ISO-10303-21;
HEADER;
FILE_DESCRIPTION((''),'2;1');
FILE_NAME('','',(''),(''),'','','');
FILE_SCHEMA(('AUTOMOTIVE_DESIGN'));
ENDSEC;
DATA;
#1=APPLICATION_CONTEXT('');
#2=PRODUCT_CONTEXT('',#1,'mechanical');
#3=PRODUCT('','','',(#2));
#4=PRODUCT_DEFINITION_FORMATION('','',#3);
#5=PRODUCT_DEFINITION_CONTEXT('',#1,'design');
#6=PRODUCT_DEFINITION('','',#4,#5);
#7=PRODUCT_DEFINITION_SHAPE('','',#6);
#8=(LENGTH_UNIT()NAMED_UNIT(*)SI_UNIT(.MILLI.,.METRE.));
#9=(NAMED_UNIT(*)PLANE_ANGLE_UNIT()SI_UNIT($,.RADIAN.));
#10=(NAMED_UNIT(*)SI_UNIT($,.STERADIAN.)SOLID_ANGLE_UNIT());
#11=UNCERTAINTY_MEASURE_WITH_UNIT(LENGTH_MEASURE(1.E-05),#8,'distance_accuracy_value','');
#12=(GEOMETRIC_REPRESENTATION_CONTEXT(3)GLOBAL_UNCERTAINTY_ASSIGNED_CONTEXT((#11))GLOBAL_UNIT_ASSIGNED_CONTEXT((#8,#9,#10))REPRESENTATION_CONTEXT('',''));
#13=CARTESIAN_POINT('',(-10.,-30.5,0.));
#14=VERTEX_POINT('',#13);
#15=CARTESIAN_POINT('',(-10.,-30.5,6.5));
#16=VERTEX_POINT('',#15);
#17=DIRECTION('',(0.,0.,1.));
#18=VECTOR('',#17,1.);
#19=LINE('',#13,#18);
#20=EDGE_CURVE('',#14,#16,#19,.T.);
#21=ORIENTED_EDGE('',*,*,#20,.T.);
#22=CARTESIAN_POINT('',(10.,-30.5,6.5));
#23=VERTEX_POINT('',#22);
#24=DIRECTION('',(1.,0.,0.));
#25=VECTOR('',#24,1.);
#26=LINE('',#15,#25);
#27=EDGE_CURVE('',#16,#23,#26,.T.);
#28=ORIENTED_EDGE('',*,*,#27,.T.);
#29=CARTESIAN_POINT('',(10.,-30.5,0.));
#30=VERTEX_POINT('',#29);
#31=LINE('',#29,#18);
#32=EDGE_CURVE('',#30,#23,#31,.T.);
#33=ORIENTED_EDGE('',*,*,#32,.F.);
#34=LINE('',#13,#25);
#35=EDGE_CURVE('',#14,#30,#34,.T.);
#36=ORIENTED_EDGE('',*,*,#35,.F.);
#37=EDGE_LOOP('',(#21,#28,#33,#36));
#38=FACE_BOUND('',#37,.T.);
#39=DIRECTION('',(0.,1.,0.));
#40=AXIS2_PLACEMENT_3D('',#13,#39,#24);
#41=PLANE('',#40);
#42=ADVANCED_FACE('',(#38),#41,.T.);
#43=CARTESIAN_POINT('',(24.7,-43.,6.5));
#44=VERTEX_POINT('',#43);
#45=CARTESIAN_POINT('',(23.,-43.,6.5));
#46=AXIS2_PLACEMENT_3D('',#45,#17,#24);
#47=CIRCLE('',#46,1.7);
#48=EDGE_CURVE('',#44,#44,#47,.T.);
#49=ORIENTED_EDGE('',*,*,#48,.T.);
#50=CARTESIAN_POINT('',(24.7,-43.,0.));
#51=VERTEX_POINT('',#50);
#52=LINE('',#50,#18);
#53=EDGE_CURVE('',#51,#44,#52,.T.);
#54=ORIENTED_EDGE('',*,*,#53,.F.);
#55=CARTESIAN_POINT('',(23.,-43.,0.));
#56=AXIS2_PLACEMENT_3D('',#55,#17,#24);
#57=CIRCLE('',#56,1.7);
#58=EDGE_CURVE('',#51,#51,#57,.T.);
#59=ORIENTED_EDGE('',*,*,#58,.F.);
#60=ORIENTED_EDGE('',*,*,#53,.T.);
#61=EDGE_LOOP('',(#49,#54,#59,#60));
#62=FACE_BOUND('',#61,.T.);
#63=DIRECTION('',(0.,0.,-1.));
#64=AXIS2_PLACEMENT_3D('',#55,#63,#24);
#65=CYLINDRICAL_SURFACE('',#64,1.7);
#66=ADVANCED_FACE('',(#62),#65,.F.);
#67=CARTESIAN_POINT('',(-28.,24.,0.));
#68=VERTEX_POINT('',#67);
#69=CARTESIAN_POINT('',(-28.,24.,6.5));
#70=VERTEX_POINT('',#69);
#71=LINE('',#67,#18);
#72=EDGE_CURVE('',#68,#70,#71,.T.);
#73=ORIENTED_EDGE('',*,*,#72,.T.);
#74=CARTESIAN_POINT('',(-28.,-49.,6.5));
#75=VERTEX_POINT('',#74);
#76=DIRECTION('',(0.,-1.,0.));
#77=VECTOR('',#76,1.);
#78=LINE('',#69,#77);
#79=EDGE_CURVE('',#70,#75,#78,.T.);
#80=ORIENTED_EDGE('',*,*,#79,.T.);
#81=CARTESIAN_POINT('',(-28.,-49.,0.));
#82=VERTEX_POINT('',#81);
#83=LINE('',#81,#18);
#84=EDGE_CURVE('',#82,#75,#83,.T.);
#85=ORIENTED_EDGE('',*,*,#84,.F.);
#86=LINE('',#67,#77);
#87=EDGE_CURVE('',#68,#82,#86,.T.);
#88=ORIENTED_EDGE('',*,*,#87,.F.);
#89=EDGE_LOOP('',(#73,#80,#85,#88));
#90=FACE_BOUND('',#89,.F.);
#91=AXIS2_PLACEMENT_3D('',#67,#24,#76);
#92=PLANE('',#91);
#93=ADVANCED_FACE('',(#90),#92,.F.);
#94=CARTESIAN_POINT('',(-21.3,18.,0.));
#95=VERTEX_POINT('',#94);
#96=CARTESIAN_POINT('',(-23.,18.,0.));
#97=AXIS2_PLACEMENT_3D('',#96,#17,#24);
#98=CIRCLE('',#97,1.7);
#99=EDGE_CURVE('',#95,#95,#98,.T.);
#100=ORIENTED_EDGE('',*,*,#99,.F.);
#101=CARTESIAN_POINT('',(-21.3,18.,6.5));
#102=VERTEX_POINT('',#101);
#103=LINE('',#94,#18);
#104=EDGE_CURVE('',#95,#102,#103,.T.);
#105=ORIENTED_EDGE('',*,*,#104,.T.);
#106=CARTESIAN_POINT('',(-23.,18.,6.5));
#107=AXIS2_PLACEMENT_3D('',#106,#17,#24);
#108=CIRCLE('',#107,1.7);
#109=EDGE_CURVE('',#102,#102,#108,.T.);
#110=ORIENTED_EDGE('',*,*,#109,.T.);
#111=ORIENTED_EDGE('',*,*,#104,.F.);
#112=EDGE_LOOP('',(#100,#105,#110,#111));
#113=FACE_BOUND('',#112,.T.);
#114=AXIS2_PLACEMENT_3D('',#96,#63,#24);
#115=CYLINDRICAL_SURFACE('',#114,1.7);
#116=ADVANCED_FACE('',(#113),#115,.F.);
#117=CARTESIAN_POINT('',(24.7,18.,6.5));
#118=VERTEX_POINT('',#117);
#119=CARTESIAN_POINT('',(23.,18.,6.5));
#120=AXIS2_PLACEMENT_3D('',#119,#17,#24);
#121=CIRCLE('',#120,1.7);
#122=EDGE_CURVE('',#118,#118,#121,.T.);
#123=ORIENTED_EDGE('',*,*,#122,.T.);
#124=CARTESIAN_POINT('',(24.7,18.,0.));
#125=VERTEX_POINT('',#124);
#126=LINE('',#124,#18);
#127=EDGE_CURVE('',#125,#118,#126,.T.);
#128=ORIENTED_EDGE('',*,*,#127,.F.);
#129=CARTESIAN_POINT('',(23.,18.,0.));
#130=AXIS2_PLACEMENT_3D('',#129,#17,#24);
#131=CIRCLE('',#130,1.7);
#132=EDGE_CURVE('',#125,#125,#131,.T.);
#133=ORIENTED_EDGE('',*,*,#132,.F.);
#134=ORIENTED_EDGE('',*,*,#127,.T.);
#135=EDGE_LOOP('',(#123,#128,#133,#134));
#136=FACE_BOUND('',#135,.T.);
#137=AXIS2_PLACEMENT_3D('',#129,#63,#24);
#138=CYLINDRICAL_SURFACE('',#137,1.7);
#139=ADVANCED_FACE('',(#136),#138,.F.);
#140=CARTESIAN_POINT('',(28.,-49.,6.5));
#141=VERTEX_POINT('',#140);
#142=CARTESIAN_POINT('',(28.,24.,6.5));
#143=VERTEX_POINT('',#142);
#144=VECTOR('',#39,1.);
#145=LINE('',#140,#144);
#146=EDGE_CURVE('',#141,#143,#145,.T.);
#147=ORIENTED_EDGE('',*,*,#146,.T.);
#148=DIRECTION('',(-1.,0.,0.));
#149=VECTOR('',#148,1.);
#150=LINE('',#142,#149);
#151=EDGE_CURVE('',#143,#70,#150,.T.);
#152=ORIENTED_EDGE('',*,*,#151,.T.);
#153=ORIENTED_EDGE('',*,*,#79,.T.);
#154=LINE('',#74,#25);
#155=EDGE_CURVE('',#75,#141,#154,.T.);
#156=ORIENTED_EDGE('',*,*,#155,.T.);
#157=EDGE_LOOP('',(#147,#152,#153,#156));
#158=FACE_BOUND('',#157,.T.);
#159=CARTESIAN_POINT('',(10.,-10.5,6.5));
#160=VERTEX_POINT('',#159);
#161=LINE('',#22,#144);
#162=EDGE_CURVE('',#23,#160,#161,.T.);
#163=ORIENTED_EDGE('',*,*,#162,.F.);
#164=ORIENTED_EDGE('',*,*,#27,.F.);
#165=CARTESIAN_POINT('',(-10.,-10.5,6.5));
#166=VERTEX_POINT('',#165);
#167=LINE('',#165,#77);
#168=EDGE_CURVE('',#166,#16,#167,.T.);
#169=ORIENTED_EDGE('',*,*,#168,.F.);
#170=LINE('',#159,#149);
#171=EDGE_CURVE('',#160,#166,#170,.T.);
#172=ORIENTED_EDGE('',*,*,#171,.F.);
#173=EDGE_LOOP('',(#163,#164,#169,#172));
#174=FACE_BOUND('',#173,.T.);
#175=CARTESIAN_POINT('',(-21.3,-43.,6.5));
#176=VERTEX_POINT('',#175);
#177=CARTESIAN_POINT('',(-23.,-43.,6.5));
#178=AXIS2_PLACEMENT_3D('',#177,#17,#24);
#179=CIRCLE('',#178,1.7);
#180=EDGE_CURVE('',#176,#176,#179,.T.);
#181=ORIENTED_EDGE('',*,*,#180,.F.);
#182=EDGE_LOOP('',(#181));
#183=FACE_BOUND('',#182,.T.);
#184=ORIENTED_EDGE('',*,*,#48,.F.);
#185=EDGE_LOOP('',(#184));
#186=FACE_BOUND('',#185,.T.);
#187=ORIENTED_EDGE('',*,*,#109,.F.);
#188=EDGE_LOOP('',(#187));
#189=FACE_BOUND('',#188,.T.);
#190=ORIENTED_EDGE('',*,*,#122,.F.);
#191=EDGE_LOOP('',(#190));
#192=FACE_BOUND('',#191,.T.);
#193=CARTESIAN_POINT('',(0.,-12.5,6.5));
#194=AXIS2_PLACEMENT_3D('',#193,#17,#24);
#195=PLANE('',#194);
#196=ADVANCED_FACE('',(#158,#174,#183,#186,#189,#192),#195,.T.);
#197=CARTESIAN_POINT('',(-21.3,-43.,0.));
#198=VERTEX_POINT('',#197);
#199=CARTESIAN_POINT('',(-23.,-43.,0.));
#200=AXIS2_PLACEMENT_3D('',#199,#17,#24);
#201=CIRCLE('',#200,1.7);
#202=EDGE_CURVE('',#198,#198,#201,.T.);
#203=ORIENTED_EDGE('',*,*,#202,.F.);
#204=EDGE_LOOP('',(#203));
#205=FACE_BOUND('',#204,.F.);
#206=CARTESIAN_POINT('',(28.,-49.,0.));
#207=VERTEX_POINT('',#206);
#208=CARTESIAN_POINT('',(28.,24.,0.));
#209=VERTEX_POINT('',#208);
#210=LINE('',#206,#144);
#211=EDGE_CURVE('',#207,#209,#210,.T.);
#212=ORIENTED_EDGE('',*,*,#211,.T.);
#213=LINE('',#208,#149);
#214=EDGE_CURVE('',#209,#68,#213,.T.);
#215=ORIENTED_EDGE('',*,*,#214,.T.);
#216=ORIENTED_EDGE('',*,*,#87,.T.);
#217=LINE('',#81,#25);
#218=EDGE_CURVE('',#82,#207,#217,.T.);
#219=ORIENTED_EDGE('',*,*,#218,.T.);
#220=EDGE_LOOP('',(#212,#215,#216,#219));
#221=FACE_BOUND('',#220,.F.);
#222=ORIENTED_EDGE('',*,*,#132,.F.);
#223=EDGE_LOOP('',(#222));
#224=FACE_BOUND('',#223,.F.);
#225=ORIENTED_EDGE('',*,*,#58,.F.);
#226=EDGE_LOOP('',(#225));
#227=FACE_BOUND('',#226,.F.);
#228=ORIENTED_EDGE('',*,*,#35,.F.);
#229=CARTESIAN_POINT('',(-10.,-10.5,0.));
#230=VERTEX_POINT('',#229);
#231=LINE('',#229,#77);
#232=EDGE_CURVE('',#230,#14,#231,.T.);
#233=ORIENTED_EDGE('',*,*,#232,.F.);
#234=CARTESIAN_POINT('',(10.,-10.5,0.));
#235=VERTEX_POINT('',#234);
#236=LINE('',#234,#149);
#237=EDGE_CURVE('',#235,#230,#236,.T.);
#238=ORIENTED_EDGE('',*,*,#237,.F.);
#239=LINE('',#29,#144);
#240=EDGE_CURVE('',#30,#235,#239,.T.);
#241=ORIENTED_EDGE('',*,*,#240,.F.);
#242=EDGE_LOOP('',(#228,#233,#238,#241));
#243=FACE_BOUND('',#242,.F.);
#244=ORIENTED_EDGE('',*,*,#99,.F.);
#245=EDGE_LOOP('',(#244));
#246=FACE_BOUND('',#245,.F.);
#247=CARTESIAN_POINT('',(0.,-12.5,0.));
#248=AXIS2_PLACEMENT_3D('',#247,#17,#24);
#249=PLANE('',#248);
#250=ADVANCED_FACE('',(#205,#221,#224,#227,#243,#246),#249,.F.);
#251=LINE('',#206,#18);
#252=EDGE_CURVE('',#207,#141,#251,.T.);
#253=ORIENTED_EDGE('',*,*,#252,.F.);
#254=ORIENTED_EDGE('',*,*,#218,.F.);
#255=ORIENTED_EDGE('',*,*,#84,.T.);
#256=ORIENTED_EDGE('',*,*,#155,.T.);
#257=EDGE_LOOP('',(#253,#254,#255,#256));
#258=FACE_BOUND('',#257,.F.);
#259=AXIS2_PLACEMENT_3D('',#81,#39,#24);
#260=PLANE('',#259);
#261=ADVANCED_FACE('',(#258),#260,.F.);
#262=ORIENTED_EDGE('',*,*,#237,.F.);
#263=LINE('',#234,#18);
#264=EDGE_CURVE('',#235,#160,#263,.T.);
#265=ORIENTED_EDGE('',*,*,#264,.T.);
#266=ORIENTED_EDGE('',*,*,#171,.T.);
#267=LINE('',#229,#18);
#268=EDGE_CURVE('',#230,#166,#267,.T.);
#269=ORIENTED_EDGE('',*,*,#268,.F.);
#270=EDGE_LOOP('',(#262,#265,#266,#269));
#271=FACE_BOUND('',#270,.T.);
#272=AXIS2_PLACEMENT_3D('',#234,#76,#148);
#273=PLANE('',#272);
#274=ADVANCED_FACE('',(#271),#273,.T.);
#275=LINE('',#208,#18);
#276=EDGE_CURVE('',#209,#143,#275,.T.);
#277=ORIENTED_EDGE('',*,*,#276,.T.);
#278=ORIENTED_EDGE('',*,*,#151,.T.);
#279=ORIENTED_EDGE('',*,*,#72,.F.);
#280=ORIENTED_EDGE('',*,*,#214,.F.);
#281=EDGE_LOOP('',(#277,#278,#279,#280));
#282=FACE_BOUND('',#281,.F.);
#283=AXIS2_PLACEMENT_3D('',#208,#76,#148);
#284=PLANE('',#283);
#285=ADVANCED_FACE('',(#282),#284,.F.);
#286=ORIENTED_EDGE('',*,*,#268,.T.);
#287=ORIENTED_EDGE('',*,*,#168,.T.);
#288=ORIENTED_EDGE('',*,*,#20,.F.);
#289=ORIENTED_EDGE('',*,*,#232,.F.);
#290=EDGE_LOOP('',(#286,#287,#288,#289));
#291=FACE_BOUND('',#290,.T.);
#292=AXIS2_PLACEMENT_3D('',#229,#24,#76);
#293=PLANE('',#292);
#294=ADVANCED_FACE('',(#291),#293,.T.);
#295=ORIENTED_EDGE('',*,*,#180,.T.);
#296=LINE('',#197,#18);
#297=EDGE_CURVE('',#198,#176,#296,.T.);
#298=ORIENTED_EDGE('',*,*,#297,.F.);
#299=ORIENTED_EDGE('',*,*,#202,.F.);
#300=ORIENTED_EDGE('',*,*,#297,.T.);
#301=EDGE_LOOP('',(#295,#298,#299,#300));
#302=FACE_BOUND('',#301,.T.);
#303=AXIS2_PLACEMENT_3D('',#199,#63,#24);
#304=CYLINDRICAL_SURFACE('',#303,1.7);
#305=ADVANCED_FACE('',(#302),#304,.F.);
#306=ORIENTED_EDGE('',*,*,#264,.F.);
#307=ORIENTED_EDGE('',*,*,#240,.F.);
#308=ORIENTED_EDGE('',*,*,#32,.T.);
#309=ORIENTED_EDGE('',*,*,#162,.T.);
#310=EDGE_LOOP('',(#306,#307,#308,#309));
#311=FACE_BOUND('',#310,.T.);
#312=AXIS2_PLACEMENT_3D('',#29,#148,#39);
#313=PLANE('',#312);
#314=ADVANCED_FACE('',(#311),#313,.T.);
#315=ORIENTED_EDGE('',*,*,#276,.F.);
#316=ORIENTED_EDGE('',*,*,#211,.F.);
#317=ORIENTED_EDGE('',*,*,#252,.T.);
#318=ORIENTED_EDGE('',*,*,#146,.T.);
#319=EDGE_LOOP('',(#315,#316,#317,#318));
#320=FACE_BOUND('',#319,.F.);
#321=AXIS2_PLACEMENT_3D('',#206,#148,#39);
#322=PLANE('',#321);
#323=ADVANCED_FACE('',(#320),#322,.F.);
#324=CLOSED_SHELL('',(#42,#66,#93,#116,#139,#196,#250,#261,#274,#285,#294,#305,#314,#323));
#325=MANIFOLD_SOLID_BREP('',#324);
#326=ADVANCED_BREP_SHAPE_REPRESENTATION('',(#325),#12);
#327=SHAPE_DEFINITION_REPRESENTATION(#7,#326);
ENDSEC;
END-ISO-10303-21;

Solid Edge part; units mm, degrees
sketch "Sketch1" plane through (0, 0, 0) normal (0, 0, 1) x (1, 0, 0)
  line L0 (-28, -49) -> (28, -49)
  line L1 (28, -49) -> (28, 24)
  line L2 (28, 24) -> (-28, 24)
  line L3 (-28, 24) -> (-28, -49)
  line L4 (-10, -30.5) -> (10, -30.5)
  line L5 (10, -30.5) -> (10, -10.5)
  line L6 (10, -10.5) -> (-10, -10.5)
  line L7 (-10, -10.5) -> (-10, -30.5)
  circle A0 centre (-23, -43) radius 1.7
  circle A1 centre (23, -43) radius 1.7
  circle A2 centre (-23, 18) radius 1.7
  circle A3 centre (23, 18) radius 1.7
extrude "Protrusion1" add sketch "Sketch1" along normal blind 6.5
